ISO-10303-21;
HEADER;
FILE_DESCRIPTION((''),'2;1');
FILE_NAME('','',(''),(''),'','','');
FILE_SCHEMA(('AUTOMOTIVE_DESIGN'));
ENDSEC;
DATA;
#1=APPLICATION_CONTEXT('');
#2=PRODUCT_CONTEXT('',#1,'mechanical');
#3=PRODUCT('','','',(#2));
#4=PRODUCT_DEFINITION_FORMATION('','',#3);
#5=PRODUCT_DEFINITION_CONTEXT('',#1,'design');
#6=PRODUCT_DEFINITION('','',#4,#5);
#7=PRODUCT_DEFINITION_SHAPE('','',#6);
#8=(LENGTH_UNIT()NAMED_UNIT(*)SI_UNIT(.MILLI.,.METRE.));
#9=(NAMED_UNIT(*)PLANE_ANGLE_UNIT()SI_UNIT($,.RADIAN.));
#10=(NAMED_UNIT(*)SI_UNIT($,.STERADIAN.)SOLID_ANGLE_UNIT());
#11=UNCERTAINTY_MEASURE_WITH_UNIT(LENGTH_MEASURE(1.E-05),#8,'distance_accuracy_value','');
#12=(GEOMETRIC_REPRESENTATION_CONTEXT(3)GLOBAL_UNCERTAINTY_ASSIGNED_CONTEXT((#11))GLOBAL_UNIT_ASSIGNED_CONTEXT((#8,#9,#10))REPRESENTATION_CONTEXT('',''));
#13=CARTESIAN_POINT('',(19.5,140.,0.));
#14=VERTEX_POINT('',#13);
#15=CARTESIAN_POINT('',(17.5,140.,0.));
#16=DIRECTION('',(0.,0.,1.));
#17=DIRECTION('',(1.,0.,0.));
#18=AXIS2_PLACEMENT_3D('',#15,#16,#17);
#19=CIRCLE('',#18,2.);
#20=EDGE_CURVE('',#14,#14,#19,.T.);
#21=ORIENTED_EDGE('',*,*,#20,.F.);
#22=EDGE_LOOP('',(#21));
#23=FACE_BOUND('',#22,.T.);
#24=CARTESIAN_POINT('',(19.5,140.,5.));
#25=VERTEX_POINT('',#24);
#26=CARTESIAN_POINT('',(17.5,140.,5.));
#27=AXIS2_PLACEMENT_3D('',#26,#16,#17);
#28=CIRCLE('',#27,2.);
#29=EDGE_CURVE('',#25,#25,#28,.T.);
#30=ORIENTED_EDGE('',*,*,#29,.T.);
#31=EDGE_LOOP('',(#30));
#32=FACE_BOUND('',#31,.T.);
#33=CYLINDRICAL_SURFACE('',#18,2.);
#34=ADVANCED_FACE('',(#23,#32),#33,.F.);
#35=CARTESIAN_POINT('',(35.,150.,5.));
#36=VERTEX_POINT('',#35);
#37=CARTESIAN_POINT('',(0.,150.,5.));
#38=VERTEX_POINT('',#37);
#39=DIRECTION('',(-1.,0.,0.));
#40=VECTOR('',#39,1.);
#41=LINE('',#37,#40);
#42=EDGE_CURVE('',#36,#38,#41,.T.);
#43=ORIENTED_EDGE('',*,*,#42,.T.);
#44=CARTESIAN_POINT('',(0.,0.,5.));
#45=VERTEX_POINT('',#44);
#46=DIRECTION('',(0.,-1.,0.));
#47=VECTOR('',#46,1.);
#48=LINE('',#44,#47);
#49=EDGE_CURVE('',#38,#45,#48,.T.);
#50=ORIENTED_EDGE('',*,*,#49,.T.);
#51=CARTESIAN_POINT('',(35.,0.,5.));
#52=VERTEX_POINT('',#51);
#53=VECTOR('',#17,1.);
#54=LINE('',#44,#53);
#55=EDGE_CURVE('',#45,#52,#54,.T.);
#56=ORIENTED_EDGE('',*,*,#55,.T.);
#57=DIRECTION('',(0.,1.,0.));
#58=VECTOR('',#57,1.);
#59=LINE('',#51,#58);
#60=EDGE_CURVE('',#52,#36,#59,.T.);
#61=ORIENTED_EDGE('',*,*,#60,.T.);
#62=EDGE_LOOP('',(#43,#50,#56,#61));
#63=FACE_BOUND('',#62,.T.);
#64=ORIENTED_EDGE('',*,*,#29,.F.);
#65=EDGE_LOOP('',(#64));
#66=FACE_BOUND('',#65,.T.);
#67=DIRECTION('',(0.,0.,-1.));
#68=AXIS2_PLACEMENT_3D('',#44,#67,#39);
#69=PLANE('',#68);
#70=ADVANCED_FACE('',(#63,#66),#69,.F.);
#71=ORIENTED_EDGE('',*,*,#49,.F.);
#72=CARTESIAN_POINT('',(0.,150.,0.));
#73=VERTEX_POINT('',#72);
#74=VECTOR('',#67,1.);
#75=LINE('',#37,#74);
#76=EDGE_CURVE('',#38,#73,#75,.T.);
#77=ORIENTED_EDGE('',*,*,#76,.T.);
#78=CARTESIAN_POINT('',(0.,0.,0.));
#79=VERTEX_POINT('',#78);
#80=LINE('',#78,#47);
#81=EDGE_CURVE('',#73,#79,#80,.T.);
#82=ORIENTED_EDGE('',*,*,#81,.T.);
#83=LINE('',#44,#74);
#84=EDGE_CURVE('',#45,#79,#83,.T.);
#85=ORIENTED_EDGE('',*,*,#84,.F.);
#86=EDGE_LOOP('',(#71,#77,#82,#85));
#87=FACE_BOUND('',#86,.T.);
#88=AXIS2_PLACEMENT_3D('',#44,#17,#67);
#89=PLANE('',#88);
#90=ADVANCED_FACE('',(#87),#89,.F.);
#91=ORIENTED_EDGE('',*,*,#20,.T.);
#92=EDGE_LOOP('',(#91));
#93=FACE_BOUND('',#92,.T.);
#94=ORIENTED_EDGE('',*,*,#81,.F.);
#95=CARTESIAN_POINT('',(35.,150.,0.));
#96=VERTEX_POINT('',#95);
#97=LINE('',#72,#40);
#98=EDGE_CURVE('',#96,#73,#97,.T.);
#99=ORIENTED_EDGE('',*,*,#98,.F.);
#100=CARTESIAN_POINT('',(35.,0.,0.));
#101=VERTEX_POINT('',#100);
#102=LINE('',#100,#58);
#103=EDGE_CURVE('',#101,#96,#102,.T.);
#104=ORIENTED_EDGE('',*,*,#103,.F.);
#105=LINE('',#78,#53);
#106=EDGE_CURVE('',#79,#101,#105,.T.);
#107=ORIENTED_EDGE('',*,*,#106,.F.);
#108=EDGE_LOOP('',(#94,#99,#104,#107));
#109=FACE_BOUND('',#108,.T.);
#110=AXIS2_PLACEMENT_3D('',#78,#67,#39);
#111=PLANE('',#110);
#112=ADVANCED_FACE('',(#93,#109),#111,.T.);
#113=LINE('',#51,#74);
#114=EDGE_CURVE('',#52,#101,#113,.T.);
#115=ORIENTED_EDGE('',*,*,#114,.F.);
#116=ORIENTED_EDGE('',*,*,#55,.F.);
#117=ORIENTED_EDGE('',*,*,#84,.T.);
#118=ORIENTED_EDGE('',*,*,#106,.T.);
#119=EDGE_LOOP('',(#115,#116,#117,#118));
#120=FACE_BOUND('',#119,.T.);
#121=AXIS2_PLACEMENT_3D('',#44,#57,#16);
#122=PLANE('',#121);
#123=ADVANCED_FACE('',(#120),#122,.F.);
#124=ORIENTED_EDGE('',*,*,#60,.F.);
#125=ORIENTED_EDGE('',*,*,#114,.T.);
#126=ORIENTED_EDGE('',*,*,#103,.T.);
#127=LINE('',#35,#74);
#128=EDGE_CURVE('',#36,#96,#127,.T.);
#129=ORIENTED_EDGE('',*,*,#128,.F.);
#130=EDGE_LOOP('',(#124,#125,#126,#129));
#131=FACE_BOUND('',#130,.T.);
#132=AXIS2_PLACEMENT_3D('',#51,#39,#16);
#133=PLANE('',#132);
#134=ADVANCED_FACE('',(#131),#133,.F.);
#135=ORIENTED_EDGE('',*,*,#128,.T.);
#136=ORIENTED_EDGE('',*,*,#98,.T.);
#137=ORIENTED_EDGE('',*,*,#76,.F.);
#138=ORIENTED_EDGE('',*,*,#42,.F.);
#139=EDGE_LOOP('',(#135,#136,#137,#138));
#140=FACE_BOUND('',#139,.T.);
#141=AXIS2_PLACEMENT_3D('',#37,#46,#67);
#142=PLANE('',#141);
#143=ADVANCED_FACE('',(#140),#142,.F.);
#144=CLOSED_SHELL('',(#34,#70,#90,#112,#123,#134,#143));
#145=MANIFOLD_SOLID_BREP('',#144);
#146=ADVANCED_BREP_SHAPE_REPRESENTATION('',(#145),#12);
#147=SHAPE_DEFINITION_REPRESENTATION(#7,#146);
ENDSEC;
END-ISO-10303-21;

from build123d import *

# Parameters (mm, degrees)
SKETCH1_W           = 35
SKETCH1_H           = 150
BOSS_EXTRUDE1_DEPTH = 5
SKETCH2_R           = 2
CUT_EXTRUDE1_DEPTH  = 6


with BuildPart() as part:
    # Sketch1 → Boss-Extrude1 (new body)
    with BuildSketch(Plane.XY):
        with Locations((17.5, 75)):
            Rectangle(SKETCH1_W, SKETCH1_H)
    extrude(amount=BOSS_EXTRUDE1_DEPTH)

    # Sketch2 → Cut-Extrude1 (cut, through all)
    with BuildSketch(Plane.XY.offset(5)):
        with Locations((17.5, 140)):
            Circle(SKETCH2_R)
    extrude(amount=-CUT_EXTRUDE1_DEPTH, mode=Mode.SUBTRACT)


solid = part.part
